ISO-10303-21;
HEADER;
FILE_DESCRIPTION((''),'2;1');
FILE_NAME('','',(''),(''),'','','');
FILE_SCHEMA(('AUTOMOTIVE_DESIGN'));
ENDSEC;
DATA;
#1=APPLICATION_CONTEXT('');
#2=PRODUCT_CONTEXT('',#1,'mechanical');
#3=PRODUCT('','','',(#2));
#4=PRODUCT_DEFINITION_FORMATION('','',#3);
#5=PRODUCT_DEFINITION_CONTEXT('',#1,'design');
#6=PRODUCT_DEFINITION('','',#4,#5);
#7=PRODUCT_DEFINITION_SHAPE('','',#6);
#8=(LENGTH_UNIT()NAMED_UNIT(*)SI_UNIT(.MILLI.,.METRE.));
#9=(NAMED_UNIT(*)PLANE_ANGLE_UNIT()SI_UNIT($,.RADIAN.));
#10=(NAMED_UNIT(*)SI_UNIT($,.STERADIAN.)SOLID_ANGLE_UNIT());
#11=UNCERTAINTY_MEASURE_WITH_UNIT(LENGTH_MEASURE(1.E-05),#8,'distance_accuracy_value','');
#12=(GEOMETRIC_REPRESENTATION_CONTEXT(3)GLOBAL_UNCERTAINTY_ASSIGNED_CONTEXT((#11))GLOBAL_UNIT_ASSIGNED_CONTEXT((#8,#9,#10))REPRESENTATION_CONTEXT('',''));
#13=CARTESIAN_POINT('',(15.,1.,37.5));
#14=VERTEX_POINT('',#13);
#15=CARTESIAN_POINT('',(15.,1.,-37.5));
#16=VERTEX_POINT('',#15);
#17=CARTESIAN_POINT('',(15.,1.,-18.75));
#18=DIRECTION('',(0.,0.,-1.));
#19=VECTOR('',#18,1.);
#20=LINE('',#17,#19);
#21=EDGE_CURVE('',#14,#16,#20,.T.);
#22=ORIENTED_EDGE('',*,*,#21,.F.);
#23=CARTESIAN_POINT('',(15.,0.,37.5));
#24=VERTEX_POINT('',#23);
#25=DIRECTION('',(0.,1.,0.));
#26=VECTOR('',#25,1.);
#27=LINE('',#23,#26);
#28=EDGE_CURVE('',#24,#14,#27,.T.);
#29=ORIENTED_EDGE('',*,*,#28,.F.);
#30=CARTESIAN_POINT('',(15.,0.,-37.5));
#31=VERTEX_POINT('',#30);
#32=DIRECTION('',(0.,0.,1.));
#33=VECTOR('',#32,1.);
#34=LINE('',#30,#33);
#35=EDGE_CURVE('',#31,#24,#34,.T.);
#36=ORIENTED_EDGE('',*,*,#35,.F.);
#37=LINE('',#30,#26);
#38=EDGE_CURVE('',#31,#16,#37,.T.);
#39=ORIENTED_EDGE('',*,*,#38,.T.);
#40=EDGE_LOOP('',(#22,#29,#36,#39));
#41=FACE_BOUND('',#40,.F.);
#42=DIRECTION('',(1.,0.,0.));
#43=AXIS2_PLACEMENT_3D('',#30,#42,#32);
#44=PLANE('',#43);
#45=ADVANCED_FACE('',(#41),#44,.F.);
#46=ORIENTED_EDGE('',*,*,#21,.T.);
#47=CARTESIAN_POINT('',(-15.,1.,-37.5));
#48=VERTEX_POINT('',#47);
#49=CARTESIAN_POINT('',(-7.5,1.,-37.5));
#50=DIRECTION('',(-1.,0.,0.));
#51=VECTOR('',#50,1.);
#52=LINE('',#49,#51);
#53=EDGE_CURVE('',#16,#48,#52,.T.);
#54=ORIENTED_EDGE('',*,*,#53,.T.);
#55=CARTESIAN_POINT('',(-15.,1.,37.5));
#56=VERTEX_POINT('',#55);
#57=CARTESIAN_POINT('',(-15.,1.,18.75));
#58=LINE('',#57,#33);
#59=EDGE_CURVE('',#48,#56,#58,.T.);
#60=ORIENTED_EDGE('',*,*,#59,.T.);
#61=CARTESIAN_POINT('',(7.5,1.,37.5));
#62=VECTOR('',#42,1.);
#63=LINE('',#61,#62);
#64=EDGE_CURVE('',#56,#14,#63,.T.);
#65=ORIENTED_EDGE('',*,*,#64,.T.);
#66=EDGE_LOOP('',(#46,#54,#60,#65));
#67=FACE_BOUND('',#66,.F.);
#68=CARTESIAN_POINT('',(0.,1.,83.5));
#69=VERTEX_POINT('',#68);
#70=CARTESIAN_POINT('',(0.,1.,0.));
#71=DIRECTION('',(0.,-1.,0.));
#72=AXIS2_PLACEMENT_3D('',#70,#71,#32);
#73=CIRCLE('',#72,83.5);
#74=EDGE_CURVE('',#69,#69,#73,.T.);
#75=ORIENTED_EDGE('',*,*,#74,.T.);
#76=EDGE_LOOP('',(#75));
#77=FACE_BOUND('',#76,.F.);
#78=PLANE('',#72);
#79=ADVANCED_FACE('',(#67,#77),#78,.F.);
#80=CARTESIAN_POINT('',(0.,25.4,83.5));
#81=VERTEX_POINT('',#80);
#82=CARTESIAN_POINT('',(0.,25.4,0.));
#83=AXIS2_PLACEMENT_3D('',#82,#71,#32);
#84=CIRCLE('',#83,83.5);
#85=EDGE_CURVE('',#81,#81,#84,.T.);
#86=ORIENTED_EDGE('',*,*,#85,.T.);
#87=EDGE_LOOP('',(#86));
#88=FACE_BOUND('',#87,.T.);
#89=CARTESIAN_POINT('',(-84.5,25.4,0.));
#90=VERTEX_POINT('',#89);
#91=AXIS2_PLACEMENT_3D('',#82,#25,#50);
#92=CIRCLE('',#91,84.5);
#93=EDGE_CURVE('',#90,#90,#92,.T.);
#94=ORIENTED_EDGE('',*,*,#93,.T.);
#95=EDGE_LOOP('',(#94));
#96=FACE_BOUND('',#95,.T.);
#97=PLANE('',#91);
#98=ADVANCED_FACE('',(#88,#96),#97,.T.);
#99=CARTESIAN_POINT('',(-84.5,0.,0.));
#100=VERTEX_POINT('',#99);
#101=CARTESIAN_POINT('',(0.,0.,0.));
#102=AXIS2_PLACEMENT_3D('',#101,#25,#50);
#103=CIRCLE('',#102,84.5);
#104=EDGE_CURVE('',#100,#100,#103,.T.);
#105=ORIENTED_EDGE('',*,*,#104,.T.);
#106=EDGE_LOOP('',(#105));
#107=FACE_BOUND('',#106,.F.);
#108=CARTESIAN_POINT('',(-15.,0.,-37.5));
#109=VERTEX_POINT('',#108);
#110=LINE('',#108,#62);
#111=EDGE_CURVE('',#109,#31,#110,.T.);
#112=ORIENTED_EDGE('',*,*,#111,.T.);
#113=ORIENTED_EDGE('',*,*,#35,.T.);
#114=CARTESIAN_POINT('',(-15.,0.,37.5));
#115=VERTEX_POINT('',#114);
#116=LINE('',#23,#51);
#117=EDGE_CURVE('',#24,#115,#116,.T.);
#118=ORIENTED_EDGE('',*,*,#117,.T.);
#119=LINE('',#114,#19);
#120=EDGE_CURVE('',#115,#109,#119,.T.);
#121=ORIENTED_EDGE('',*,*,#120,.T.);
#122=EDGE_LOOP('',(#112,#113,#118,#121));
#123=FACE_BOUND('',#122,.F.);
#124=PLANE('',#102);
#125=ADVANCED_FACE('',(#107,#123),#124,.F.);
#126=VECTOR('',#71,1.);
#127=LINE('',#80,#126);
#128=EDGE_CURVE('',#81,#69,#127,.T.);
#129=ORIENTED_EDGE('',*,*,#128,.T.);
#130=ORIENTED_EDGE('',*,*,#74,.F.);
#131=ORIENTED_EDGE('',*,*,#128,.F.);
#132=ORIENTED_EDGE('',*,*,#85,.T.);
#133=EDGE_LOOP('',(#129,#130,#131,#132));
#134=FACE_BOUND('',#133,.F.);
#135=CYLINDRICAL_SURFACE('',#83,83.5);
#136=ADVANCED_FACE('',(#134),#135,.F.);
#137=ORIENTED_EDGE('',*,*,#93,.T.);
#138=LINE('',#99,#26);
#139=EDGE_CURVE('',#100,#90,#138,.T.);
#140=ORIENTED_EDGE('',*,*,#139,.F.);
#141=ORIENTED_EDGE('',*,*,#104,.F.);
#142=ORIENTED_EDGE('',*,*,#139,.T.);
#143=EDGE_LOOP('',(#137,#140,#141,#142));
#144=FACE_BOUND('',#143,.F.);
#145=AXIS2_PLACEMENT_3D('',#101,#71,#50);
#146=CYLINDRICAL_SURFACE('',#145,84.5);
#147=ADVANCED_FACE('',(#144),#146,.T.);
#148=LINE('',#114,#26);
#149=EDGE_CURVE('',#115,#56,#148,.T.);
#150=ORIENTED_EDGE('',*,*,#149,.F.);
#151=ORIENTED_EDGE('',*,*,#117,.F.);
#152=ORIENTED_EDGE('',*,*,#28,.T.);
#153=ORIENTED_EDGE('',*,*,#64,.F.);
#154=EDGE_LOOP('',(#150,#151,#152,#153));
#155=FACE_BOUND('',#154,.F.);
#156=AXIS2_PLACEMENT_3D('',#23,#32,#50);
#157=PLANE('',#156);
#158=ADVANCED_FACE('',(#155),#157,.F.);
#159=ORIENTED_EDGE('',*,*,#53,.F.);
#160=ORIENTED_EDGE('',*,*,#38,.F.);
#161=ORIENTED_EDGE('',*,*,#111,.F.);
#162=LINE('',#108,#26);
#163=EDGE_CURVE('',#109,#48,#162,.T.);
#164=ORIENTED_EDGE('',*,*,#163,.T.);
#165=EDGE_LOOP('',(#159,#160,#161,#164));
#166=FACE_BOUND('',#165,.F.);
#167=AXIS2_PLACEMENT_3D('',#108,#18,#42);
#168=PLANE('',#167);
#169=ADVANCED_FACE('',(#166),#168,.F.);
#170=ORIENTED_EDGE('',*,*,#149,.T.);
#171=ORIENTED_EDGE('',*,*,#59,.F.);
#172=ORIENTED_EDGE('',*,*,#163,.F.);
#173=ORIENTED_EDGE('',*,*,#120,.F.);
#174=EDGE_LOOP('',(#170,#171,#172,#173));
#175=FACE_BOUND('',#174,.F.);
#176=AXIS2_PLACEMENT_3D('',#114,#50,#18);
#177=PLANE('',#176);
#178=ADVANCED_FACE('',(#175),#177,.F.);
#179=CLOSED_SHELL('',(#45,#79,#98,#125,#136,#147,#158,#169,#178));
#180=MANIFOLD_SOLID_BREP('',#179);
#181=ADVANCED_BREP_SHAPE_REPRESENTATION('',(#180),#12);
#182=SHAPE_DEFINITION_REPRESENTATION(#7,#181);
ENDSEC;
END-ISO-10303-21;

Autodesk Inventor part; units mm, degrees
ref_plane "YZ Plane" through (0, 0, 0) normal (1, 0, 0) x (0, 1, 0)
ref_plane "XZ Plane" through (0, 0, 0) normal (0, 1, 0) x (-1, 0, 0)
ref_plane "XY Plane" through (0, 0, 0) normal (0, 0, 1) x (1, 0, 0)
sketch "Sketch1" plane through (0, 0, 0) normal (0, 1, 0) x (-1, 0, 0)
  circle A0 centre (0, 0) radius 84.5
  line L0 (-15, 37.5) -> (15, 37.5)
  line L1 (15, 37.5) -> (15, -37.5)
  line L2 (15, -37.5) -> (-15, -37.5)
  line L3 (-15, -37.5) -> (-15, 37.5)
  line L4 (-15, 37.5) -> (15, -37.5) construction
  line L5 (15, 37.5) -> (-15, -37.5) construction
  dimension "d1" = 169
  dimension "d41" = 30
  dimension "d42" = 75
extrude "Extrusion4" add sketch "Sketch1" along normal blind 25.4
sketch "Sketch4" plane through (0, 25.4, 0) normal (0, 1, 0) x (1, 0, 0)
  circle A0 centre (0, 0) radius 83.5
  dimension "d45" = 167
hole "Hole2" at (0, 25.4, 0) direction (0, -1, 0) diameter 167 depth 24.4
ref_plane "Work Plane1" through (0, 0, 37.5) normal (1, 0, 0) x (0, 0, -1)
properties part number "Top Cap"
